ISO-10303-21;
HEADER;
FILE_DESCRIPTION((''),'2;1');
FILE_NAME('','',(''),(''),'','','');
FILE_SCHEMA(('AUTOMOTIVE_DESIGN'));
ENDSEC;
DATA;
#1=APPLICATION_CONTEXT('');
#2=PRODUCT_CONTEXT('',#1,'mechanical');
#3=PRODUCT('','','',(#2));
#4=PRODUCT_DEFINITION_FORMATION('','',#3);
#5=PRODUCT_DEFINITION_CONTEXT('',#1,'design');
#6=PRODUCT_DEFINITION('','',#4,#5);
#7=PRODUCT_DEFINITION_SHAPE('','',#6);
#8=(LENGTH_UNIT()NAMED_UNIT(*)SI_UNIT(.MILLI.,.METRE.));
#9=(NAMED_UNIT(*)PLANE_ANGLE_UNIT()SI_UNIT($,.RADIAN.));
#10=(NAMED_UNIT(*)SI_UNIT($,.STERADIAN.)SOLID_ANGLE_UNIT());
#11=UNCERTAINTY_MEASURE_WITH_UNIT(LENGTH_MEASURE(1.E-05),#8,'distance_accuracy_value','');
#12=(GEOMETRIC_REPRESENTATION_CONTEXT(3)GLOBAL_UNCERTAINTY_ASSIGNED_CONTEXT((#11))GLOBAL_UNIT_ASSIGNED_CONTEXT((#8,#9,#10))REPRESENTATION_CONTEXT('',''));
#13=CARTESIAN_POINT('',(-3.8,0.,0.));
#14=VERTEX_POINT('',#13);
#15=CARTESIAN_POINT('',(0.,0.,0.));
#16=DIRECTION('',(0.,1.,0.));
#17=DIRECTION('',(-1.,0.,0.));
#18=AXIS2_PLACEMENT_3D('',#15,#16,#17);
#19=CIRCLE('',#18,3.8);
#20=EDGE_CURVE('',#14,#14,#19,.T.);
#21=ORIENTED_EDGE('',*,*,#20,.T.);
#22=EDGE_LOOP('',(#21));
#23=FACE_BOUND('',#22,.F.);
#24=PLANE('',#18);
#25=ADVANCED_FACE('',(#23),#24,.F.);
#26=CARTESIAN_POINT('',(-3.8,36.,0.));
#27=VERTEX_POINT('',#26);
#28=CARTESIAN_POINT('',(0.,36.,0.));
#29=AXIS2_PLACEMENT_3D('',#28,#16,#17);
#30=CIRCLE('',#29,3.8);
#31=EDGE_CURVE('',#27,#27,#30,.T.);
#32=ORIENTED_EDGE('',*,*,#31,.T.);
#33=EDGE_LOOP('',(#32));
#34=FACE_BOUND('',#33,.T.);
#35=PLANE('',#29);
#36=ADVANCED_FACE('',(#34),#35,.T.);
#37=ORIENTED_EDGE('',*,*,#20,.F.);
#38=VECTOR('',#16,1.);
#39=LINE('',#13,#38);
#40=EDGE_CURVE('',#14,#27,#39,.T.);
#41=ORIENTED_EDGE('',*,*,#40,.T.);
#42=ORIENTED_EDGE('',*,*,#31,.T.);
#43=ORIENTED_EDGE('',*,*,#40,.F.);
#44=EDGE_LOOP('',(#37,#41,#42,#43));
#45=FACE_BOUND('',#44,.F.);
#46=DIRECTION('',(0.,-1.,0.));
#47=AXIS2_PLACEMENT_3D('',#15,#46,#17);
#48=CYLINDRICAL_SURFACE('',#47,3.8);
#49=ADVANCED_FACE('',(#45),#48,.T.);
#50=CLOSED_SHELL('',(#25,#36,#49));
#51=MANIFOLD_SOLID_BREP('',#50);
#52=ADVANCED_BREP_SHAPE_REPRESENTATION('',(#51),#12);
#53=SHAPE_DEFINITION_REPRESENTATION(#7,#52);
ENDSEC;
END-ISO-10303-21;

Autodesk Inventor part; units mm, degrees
ref_plane "YZ Plane" through (0, 0, 0) normal (1, 0, 0) x (0, 1, 0)
ref_plane "XZ Plane" through (0, 0, 0) normal (0, 1, 0) x (-1, 0, 0)
ref_plane "XY Plane" through (0, 0, 0) normal (0, 0, 1) x (1, 0, 0)
sketch "Sketch1" plane through (0, 0, 0) normal (0, 1, 0) x (-1, 0, 0)
  circle A0 centre (0, 0) radius 3.8
  dimension "d0" = 7.6
extrude "Extrusion1" add sketch "Sketch1" along normal blind 36
properties part number "y-axis-replacement"
